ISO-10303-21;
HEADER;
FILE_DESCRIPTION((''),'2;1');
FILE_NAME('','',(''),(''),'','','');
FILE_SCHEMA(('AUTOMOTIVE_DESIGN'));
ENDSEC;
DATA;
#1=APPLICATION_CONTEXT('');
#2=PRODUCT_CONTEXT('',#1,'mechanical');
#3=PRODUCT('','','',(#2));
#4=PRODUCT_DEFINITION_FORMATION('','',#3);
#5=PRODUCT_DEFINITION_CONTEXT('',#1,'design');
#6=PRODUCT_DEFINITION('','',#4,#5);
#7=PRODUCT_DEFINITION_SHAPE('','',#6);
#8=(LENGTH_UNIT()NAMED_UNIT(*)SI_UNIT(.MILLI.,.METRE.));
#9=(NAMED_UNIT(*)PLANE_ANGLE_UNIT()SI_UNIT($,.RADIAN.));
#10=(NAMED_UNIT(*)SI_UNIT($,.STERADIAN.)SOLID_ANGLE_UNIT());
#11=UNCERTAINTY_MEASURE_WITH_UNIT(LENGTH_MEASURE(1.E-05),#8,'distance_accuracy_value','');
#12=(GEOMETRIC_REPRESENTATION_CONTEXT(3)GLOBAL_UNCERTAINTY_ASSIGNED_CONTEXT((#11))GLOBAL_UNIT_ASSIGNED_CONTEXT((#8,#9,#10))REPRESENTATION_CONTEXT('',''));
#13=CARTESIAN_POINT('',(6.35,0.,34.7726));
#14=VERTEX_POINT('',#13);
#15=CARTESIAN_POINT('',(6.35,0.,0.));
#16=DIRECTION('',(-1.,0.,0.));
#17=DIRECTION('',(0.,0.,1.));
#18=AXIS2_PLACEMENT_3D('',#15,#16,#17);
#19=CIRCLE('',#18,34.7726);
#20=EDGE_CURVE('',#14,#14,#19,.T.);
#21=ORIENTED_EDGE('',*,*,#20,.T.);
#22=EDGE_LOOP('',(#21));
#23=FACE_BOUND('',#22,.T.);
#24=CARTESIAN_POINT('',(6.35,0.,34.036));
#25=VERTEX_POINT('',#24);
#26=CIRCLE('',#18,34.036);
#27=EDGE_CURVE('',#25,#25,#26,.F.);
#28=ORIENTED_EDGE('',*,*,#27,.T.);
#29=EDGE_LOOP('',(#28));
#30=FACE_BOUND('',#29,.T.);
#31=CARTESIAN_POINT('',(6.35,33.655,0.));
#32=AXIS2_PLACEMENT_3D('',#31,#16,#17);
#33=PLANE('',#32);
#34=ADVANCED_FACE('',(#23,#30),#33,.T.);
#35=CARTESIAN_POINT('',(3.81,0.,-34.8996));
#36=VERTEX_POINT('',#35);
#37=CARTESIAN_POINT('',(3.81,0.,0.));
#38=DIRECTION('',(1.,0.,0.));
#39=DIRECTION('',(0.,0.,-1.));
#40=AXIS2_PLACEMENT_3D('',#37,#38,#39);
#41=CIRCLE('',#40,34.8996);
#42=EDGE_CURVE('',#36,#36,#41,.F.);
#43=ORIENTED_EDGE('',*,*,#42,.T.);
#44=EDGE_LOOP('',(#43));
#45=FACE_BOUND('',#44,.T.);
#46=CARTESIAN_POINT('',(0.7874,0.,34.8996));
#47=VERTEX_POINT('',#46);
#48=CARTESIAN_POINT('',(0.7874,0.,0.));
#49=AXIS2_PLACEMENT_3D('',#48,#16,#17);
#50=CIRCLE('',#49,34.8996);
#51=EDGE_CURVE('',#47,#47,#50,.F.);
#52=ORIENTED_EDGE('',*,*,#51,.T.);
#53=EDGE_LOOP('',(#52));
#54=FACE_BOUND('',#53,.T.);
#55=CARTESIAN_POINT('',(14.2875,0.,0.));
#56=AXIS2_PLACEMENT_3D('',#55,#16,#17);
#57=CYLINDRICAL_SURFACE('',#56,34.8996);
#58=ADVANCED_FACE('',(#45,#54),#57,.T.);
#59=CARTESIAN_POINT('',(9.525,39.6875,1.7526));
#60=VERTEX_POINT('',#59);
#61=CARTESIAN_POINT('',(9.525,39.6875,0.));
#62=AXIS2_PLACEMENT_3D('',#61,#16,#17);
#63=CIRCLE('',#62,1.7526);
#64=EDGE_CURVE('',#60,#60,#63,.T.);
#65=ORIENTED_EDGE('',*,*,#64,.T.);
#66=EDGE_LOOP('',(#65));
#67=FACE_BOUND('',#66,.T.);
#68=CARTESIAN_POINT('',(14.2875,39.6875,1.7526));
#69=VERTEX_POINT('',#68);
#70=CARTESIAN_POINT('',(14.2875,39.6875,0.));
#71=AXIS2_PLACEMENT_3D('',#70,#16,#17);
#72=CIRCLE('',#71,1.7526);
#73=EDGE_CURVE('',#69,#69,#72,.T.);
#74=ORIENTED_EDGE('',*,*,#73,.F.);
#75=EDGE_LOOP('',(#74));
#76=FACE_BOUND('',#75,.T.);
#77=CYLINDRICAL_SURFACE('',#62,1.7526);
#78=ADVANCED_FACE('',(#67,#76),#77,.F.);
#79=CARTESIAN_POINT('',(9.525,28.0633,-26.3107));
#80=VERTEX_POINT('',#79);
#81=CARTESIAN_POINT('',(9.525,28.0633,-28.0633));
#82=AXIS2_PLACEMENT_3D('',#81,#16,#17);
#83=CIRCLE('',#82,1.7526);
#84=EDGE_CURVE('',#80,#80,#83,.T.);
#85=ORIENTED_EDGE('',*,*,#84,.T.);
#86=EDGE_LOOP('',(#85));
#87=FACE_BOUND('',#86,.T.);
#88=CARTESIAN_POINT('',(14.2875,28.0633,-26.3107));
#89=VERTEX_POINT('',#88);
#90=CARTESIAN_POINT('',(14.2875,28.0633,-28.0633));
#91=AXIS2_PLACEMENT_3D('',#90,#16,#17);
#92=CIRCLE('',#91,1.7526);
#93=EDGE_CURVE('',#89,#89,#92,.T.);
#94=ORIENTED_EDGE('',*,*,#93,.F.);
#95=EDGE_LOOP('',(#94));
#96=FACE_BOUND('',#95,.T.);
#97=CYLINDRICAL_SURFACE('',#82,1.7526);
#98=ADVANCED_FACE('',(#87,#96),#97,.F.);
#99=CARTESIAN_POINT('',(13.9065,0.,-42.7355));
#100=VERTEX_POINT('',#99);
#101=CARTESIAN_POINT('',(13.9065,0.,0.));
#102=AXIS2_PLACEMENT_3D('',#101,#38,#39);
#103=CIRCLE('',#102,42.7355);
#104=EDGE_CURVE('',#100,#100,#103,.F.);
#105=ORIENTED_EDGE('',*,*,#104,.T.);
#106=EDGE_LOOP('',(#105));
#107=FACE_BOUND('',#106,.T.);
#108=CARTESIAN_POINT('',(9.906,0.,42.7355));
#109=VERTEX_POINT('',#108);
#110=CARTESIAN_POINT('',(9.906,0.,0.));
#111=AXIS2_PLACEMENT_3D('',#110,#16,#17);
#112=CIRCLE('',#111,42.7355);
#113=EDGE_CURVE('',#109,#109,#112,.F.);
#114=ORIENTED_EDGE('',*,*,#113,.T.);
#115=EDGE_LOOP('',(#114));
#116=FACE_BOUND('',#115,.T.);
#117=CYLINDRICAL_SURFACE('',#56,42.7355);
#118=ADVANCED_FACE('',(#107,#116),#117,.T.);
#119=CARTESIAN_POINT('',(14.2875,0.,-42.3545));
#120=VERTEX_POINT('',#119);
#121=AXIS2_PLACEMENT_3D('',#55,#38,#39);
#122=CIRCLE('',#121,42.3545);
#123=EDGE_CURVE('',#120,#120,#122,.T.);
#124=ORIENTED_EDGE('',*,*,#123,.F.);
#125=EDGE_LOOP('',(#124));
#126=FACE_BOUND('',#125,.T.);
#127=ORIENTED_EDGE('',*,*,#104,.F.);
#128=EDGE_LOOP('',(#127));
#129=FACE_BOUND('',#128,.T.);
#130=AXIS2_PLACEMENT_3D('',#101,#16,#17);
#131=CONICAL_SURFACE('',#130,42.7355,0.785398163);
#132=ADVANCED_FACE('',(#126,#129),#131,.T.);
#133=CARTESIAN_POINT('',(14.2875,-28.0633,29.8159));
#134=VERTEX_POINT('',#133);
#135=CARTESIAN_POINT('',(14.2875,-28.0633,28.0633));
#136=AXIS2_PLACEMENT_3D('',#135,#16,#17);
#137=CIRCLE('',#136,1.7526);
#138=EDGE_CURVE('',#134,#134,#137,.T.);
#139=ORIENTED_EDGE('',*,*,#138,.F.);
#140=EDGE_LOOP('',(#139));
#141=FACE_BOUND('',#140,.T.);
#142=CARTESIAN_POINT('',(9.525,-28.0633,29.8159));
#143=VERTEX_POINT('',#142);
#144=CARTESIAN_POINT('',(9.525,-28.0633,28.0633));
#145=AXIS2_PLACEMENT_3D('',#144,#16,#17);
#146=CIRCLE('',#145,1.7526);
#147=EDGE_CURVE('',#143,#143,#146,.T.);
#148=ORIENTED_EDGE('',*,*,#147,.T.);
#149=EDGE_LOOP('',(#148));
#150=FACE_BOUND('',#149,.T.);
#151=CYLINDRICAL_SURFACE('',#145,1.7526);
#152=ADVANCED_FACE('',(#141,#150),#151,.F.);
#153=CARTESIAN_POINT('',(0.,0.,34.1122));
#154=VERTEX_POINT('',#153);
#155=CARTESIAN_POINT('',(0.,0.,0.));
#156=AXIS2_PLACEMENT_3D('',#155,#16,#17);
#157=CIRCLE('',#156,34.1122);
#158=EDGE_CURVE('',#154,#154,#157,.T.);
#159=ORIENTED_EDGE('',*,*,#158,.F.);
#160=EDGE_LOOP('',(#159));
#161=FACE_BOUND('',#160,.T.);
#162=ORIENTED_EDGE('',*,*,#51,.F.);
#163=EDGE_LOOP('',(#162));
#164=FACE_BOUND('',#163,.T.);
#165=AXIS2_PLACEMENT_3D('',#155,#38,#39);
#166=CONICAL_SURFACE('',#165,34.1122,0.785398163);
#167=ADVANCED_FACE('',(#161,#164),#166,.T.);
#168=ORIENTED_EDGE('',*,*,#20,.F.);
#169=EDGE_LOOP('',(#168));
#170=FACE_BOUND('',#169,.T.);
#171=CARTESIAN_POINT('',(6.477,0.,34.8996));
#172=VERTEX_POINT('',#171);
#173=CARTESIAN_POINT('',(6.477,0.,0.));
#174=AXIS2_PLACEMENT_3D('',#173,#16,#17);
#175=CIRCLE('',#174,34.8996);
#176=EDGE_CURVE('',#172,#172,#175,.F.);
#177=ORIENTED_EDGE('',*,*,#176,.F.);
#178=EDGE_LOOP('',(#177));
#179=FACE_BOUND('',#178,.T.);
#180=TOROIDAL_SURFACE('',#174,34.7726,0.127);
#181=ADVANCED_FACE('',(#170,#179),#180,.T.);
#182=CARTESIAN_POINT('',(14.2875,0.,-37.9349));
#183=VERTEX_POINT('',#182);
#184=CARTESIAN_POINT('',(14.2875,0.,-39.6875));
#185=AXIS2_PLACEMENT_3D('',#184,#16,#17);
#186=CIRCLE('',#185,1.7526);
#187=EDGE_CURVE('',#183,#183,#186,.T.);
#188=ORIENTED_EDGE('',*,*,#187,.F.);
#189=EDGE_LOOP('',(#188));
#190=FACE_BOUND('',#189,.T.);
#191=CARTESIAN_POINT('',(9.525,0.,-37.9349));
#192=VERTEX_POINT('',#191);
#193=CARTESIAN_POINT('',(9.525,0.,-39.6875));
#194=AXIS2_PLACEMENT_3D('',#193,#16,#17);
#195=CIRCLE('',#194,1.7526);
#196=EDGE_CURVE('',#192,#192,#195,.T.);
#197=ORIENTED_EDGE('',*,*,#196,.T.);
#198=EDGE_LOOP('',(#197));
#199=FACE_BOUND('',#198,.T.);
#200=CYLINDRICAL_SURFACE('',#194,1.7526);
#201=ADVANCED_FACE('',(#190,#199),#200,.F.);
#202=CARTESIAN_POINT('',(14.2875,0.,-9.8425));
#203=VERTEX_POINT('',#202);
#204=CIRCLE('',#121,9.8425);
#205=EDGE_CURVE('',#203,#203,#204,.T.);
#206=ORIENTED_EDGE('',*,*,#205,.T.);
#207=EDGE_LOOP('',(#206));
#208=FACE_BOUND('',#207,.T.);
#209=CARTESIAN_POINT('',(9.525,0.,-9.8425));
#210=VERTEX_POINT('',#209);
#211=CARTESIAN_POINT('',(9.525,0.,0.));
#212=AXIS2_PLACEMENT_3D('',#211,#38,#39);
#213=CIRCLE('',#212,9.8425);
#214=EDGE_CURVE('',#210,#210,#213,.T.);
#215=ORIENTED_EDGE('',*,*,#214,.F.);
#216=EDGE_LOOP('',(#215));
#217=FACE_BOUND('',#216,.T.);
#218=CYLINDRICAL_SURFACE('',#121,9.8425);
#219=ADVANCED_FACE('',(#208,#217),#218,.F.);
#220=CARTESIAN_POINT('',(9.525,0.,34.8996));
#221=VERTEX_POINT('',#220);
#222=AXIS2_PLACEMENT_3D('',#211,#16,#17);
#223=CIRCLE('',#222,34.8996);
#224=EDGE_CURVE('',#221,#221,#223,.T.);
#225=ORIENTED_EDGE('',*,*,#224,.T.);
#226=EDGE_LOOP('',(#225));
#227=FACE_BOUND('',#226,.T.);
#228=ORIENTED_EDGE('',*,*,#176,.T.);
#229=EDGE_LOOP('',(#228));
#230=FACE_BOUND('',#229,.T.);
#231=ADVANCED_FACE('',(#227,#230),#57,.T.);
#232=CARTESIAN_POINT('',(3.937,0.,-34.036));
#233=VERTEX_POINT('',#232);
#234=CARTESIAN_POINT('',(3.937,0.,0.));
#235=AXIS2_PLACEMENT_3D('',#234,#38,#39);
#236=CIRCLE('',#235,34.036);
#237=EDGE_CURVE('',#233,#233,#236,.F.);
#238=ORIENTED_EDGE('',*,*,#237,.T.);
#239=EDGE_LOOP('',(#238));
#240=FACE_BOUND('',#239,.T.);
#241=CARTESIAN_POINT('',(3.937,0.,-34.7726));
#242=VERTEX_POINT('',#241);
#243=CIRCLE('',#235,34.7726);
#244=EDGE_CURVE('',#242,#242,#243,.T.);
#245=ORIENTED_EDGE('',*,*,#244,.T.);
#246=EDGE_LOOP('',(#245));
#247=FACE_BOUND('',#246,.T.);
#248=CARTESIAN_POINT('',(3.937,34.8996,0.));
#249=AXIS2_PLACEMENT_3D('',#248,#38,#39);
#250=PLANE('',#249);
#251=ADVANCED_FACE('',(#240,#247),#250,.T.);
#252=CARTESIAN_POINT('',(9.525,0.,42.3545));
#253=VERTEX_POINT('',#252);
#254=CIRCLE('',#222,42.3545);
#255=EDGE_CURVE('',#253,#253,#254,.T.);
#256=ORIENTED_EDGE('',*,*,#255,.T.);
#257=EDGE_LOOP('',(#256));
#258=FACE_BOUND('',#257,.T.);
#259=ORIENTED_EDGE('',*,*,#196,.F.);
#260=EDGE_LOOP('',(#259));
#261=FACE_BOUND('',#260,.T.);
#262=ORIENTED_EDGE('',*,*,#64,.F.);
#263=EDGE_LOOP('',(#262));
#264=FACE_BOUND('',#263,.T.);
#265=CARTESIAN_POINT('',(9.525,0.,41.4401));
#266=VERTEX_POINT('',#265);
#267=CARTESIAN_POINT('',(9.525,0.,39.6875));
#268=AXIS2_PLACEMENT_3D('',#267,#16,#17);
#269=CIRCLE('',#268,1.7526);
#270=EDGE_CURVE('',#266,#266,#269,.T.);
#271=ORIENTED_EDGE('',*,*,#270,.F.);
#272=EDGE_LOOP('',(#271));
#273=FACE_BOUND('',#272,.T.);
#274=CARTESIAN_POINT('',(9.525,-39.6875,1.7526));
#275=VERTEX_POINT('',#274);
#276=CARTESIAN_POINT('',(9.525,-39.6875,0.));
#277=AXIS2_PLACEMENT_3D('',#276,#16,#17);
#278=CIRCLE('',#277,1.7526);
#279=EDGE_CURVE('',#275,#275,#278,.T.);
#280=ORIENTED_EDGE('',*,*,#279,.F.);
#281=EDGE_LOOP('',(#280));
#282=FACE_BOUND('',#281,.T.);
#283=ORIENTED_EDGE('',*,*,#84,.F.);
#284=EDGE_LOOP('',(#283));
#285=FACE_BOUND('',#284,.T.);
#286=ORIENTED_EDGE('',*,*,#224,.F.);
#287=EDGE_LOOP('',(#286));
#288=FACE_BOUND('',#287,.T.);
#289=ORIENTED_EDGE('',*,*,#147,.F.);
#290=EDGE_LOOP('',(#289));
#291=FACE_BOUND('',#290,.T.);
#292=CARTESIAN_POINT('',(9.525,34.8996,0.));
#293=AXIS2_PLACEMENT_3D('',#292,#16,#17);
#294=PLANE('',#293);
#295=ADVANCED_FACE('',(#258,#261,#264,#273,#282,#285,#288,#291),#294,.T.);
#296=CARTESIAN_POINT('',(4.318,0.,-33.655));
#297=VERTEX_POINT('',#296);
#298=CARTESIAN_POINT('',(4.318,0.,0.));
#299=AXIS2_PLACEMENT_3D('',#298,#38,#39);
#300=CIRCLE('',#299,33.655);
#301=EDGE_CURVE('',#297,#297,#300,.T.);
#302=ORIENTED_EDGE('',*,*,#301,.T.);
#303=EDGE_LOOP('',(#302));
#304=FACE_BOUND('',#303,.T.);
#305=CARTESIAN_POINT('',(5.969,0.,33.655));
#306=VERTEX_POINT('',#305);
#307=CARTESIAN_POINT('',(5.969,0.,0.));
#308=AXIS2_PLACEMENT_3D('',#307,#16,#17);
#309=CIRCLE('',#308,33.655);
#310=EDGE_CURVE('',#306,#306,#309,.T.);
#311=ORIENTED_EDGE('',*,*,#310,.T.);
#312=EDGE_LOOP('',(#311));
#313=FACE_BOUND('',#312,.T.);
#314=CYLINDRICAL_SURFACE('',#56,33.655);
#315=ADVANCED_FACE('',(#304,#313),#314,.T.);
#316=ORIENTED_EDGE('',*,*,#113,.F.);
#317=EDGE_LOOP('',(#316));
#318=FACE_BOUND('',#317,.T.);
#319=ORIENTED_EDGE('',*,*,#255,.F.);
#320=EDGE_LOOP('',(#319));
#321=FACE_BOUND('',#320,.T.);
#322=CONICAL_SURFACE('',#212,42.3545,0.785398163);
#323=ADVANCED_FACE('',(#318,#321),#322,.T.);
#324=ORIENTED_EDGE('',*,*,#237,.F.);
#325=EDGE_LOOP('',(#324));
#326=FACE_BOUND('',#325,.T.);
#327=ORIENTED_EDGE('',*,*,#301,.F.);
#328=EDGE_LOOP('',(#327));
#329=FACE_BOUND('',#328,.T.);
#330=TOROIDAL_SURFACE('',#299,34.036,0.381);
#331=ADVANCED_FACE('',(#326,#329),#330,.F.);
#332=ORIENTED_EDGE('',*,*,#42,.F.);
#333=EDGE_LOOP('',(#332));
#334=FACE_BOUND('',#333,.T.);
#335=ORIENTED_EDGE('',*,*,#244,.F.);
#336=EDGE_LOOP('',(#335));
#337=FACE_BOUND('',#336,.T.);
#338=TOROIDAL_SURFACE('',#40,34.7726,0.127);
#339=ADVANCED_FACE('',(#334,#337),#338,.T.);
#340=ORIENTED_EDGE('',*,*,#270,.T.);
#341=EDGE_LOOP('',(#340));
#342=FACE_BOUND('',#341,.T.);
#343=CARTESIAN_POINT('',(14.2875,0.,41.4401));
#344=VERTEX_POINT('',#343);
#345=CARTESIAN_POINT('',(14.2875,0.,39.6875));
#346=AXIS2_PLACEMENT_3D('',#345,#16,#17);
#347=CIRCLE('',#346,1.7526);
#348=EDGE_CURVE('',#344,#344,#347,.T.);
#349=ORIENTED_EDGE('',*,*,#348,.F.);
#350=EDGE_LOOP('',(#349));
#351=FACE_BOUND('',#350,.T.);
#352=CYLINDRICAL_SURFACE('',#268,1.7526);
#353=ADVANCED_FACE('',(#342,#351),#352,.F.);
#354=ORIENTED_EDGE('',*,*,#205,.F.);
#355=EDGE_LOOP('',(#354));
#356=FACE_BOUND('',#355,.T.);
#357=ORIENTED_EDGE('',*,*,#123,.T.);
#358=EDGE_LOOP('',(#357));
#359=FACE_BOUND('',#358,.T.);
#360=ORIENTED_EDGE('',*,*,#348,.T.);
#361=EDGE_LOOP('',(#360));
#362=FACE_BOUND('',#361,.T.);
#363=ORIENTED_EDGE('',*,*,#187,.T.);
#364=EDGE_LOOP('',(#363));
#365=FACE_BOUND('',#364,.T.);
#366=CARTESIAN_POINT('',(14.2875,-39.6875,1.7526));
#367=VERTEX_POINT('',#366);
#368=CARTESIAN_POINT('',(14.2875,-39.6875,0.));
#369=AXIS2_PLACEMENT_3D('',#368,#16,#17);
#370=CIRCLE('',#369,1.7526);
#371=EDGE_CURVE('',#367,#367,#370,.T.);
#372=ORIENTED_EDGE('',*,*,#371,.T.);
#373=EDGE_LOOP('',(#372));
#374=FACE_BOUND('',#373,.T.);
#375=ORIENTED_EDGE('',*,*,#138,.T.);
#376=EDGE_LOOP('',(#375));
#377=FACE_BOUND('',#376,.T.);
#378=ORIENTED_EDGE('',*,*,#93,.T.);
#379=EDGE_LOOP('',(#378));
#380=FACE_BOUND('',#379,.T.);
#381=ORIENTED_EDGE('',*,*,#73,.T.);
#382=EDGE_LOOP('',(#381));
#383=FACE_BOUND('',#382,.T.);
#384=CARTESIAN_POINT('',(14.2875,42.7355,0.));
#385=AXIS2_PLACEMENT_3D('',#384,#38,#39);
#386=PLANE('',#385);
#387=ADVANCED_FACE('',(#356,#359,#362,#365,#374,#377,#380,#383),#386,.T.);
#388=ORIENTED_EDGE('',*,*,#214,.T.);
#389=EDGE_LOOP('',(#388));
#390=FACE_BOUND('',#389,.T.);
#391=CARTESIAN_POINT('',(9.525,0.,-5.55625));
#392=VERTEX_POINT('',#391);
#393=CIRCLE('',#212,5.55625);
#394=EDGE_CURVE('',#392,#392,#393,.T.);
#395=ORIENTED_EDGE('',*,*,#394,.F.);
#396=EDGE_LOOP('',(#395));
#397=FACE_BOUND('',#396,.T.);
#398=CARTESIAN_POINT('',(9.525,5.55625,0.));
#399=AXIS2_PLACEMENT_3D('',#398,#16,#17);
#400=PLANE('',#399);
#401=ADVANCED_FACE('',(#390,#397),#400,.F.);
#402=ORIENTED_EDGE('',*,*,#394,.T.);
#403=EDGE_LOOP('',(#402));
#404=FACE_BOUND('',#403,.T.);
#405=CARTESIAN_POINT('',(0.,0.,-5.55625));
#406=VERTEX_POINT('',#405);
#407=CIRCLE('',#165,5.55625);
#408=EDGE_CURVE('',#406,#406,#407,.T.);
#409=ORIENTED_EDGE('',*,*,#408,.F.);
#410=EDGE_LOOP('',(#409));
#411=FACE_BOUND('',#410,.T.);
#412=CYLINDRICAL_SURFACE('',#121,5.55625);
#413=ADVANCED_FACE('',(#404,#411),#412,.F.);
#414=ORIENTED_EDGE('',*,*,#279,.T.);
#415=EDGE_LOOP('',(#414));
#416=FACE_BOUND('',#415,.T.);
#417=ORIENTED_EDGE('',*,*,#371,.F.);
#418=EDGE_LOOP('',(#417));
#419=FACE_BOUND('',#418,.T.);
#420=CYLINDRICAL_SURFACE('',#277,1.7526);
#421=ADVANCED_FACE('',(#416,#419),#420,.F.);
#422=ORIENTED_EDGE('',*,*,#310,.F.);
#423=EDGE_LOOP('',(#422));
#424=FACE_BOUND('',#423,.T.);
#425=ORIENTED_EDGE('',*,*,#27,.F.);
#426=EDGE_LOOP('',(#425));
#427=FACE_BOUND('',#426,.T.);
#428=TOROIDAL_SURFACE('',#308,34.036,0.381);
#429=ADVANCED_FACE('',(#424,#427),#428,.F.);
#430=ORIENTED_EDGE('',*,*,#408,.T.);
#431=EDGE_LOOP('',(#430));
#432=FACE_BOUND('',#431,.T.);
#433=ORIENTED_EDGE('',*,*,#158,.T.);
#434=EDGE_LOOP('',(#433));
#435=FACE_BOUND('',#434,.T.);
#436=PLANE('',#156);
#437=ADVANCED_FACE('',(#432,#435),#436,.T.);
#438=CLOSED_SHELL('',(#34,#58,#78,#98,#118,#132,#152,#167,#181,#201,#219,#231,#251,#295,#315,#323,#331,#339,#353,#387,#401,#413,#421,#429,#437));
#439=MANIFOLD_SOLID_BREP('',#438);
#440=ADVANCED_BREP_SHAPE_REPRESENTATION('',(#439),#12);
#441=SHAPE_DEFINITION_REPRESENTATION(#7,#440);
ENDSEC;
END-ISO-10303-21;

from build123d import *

# Parameters (mm, degrees)
M3_CLEARANCE_HOLE1_D                     = 3.5052
M3_CLEARANCE_HOLE1_DEPTH                 = 4.7625
CBORE_FOR_M10_HEX_HEAD_BOLT1_D           = 11.1125
CBORE_FOR_M10_HEX_HEAD_BOLT1_DEPTH       = 14.2875
CBORE_FOR_M10_HEX_HEAD_BOLT1_CBORE_D     = 19.685
CBORE_FOR_M10_HEX_HEAD_BOLT1_CBORE_DEPTH = 4.7625
CHAMFER1_SIZE                            = 0.381
CHAMFER2_SIZE                            = 0.7874
FILLET1_R                                = 0.127
FILLET2_R                                = 0.381


with BuildPart() as part:
    # Sketch1 → Revolve1 (revolve)
    with BuildSketch(Plane(origin=(0, 0, 0), x_dir=(-1, 0, 0), z_dir=(0, 0, -1))):
        Polygon((-14.2875, 42.7355), (-14.2875, 0), (0, 0), (0, 34.8996), (-3.937, 34.8996), (-3.937, 33.655), (-6.35, 33.655), (-6.35, 34.8996), (-9.525, 34.8996), (-9.525, 42.7355), align=None)
    revolve(axis=Axis((14.2875, 0, 0), (-1, 0, 0)))

    # M3 Clearance Hole1
    with Locations(Plane.ZY.offset(-9.525)):
        with Locations((28.063300378, -28.063300378), (-28.063300378, 28.063300378), (39.6875, 0), (-39.6875, 0), (0, -39.6875), (0, 39.6875)):
            Hole(M3_CLEARANCE_HOLE1_D / 2, depth=M3_CLEARANCE_HOLE1_DEPTH)

    # CBORE for M10 Hex Head Bolt1
    with Locations(Plane(origin=(14.2875, 0, 0), x_dir=(0, 0, -1), z_dir=(1, 0, 0))):
        with Locations((0, 0)):
            CounterBoreHole(CBORE_FOR_M10_HEX_HEAD_BOLT1_D / 2, CBORE_FOR_M10_HEX_HEAD_BOLT1_CBORE_D / 2, CBORE_FOR_M10_HEX_HEAD_BOLT1_CBORE_DEPTH, depth=CBORE_FOR_M10_HEX_HEAD_BOLT1_DEPTH)

    # Chamfer1
    chamfer1_edges = [part.edges().sort_by_distance(p)[0] for p in [
        (14.2875, -42.7355, 0),
        (9.525, -42.7355, 0),
    ]]
    chamfer(chamfer1_edges, length=CHAMFER1_SIZE)

    # Chamfer2
    chamfer2_edges = [part.edges().sort_by_distance(p)[0] for p in [
        (0, -34.8996, 0),
    ]]
    chamfer(chamfer2_edges, length=CHAMFER2_SIZE)

    # Fillet1
    fillet1_edges = [part.edges().sort_by_distance(p)[0] for p in [
        (6.35, -34.8996, 0),
        (3.937, -34.8996, 0),
    ]]
    fillet(fillet1_edges, radius=FILLET1_R)

    # Fillet2
    fillet2_edges = [part.edges().sort_by_distance(p)[0] for p in [
        (6.35, -33.655, 0),
        (3.937, -33.655, 0),
    ]]
    fillet(fillet2_edges, radius=FILLET2_R)


solid = part.part
